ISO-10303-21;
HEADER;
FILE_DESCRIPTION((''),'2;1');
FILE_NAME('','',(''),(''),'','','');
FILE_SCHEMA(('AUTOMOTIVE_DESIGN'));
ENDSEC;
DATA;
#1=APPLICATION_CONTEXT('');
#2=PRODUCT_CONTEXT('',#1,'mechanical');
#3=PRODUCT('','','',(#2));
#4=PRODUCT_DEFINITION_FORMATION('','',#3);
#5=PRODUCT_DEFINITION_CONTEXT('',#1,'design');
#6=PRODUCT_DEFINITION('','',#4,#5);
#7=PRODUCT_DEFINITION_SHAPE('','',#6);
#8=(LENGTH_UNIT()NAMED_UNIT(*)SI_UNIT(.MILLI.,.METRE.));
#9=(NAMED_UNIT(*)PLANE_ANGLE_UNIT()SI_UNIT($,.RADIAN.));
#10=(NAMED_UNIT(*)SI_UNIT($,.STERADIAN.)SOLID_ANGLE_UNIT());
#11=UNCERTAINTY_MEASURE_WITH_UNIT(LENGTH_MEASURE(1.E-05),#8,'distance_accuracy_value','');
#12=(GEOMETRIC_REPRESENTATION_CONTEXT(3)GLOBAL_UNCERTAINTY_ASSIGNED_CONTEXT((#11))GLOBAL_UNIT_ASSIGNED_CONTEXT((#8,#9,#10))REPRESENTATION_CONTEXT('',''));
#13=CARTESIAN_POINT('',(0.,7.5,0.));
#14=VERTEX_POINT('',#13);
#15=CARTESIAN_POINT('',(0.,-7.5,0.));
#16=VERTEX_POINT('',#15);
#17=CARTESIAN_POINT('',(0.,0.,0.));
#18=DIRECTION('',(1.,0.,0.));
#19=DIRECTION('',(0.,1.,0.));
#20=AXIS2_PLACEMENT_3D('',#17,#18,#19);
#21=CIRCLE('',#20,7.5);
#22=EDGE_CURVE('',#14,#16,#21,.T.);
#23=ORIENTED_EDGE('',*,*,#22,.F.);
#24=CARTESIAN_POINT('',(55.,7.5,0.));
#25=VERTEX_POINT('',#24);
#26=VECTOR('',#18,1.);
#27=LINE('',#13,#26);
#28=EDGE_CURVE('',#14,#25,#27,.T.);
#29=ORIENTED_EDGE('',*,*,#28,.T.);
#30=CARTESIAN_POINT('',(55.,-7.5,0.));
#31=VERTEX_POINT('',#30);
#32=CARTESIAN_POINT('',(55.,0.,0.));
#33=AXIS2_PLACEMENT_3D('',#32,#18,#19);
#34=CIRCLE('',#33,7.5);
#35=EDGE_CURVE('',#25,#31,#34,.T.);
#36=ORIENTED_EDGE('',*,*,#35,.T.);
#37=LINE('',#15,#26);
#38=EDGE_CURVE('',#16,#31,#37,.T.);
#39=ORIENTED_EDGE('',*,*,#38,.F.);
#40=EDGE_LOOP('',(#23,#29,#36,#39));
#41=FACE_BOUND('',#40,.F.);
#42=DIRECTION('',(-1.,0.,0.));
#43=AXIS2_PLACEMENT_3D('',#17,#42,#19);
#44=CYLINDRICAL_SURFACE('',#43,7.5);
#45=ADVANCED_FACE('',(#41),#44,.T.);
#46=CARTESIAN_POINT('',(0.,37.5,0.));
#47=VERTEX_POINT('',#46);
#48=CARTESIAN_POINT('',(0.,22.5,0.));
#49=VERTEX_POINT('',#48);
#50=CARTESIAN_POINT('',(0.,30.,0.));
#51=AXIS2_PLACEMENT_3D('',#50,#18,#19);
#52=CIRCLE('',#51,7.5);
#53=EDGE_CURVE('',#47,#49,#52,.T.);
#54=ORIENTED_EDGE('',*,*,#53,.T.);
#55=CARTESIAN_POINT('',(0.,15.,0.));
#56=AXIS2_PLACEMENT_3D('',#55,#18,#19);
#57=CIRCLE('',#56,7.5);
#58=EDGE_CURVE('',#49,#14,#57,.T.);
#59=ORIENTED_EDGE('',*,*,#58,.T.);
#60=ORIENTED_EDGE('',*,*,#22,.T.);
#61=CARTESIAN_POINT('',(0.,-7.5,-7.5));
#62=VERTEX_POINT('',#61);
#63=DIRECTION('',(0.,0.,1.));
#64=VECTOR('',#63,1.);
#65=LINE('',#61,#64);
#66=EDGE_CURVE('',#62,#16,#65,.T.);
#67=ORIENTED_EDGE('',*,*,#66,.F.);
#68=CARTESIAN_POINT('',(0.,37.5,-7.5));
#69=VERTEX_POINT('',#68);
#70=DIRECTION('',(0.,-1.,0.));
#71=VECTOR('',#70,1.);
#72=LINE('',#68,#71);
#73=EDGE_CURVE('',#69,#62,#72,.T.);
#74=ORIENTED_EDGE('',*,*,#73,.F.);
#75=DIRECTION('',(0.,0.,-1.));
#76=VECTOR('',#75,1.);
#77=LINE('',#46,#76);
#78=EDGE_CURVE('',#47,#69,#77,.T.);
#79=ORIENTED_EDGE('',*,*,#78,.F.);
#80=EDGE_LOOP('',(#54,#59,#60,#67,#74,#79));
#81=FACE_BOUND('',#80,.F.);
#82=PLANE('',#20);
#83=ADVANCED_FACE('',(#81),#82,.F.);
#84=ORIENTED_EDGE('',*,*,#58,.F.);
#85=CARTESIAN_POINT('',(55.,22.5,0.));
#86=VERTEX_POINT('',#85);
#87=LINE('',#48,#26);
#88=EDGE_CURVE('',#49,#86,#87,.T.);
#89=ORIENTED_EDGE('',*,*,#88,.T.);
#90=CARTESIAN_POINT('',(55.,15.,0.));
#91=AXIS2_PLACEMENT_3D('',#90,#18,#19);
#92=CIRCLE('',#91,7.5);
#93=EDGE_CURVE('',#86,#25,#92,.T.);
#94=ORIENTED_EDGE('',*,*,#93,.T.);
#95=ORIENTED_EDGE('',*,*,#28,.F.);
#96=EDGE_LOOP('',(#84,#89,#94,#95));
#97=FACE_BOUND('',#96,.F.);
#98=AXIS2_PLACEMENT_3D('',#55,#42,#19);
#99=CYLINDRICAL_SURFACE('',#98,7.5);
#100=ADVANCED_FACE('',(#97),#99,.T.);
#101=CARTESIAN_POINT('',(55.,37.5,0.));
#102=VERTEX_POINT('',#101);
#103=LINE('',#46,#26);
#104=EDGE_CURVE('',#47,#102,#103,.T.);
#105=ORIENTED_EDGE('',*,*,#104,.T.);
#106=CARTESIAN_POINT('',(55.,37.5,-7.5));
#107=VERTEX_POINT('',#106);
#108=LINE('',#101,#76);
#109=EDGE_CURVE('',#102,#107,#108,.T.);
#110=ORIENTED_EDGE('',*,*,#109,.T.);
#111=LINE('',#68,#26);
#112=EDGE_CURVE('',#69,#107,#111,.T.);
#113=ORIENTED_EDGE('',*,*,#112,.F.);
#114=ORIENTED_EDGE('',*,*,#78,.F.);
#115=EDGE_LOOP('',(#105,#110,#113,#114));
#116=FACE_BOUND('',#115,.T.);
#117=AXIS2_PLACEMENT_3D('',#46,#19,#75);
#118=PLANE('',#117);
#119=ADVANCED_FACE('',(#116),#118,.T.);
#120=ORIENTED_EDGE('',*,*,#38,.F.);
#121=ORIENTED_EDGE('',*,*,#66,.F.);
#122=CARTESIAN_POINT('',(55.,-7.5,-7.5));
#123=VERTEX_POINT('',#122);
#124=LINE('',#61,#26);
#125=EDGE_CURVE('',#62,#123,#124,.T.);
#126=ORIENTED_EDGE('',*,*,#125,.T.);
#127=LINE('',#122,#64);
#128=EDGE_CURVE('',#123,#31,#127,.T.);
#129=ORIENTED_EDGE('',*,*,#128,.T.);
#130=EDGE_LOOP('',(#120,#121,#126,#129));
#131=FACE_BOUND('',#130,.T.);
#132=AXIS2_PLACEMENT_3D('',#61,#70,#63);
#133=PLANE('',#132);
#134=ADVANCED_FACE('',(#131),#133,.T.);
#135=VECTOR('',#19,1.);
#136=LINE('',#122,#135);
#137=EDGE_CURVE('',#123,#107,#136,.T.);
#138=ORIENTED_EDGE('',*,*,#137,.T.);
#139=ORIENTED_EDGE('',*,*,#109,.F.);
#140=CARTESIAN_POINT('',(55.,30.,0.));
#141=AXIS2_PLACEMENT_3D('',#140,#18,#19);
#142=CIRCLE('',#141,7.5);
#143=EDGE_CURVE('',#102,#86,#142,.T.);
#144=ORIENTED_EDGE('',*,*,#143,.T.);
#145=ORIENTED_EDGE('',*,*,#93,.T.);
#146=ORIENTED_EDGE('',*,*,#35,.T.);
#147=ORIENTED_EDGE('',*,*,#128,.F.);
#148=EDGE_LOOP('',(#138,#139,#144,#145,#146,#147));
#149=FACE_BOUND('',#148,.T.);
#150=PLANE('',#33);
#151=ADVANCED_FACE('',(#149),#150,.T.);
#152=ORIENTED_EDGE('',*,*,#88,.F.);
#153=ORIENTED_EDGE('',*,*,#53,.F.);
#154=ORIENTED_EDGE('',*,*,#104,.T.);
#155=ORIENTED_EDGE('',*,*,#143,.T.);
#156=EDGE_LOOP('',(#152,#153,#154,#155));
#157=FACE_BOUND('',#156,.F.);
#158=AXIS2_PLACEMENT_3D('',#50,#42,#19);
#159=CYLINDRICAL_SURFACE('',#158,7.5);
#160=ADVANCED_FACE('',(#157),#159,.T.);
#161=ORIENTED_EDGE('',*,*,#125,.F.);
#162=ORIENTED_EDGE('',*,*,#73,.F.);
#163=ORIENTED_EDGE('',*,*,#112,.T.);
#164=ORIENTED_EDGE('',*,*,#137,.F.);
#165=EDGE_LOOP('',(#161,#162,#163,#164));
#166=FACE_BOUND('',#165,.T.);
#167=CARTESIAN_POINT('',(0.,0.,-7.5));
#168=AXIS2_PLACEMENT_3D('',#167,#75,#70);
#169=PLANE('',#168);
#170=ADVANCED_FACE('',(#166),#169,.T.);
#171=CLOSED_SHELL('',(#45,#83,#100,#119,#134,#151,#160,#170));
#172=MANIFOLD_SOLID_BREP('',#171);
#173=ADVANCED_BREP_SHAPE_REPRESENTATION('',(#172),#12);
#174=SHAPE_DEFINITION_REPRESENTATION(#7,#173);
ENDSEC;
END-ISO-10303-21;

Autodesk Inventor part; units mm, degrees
ref_plane "YZ Plane" through (0, 0, 0) normal (1, 0, 0) x (0, 1, 0)
ref_plane "XZ Plane" through (0, 0, 0) normal (0, 1, 0) x (-1, 0, 0)
ref_plane "XY Plane" through (0, 0, 0) normal (0, 0, 1) x (1, 0, 0)
sketch "Skizze1" plane through (0, 0, 0) normal (1, 0, 0) x (0, 1, 0)
  circle A0 centre (0, 0) radius 7.5
  circle A1 centre (15, 0) radius 7.5
  circle A2 centre (30, 0) radius 7.5
  line L0 (-7.5, 0) -> (37.5, 0)
  line L1 (37.5, 0) -> (37.5, -7.5)
  line L2 (37.5, -7.5) -> (-7.5, -7.5)
  line L3 (-7.5, -7.5) -> (-7.5, 0)
  point P0 (22.5, 0)
  point P1 (7.5, 0)
  point P2 (0, -7.5)
  dimension "d0" = 15
  dimension "d3" = 15
  dimension "d4" = 15
  dimension "d5" = 15
  dimension "d6" = 15
extrude "Extrusion1" add sketch "Skizze1" along normal blind 55
properties part number "AA"
